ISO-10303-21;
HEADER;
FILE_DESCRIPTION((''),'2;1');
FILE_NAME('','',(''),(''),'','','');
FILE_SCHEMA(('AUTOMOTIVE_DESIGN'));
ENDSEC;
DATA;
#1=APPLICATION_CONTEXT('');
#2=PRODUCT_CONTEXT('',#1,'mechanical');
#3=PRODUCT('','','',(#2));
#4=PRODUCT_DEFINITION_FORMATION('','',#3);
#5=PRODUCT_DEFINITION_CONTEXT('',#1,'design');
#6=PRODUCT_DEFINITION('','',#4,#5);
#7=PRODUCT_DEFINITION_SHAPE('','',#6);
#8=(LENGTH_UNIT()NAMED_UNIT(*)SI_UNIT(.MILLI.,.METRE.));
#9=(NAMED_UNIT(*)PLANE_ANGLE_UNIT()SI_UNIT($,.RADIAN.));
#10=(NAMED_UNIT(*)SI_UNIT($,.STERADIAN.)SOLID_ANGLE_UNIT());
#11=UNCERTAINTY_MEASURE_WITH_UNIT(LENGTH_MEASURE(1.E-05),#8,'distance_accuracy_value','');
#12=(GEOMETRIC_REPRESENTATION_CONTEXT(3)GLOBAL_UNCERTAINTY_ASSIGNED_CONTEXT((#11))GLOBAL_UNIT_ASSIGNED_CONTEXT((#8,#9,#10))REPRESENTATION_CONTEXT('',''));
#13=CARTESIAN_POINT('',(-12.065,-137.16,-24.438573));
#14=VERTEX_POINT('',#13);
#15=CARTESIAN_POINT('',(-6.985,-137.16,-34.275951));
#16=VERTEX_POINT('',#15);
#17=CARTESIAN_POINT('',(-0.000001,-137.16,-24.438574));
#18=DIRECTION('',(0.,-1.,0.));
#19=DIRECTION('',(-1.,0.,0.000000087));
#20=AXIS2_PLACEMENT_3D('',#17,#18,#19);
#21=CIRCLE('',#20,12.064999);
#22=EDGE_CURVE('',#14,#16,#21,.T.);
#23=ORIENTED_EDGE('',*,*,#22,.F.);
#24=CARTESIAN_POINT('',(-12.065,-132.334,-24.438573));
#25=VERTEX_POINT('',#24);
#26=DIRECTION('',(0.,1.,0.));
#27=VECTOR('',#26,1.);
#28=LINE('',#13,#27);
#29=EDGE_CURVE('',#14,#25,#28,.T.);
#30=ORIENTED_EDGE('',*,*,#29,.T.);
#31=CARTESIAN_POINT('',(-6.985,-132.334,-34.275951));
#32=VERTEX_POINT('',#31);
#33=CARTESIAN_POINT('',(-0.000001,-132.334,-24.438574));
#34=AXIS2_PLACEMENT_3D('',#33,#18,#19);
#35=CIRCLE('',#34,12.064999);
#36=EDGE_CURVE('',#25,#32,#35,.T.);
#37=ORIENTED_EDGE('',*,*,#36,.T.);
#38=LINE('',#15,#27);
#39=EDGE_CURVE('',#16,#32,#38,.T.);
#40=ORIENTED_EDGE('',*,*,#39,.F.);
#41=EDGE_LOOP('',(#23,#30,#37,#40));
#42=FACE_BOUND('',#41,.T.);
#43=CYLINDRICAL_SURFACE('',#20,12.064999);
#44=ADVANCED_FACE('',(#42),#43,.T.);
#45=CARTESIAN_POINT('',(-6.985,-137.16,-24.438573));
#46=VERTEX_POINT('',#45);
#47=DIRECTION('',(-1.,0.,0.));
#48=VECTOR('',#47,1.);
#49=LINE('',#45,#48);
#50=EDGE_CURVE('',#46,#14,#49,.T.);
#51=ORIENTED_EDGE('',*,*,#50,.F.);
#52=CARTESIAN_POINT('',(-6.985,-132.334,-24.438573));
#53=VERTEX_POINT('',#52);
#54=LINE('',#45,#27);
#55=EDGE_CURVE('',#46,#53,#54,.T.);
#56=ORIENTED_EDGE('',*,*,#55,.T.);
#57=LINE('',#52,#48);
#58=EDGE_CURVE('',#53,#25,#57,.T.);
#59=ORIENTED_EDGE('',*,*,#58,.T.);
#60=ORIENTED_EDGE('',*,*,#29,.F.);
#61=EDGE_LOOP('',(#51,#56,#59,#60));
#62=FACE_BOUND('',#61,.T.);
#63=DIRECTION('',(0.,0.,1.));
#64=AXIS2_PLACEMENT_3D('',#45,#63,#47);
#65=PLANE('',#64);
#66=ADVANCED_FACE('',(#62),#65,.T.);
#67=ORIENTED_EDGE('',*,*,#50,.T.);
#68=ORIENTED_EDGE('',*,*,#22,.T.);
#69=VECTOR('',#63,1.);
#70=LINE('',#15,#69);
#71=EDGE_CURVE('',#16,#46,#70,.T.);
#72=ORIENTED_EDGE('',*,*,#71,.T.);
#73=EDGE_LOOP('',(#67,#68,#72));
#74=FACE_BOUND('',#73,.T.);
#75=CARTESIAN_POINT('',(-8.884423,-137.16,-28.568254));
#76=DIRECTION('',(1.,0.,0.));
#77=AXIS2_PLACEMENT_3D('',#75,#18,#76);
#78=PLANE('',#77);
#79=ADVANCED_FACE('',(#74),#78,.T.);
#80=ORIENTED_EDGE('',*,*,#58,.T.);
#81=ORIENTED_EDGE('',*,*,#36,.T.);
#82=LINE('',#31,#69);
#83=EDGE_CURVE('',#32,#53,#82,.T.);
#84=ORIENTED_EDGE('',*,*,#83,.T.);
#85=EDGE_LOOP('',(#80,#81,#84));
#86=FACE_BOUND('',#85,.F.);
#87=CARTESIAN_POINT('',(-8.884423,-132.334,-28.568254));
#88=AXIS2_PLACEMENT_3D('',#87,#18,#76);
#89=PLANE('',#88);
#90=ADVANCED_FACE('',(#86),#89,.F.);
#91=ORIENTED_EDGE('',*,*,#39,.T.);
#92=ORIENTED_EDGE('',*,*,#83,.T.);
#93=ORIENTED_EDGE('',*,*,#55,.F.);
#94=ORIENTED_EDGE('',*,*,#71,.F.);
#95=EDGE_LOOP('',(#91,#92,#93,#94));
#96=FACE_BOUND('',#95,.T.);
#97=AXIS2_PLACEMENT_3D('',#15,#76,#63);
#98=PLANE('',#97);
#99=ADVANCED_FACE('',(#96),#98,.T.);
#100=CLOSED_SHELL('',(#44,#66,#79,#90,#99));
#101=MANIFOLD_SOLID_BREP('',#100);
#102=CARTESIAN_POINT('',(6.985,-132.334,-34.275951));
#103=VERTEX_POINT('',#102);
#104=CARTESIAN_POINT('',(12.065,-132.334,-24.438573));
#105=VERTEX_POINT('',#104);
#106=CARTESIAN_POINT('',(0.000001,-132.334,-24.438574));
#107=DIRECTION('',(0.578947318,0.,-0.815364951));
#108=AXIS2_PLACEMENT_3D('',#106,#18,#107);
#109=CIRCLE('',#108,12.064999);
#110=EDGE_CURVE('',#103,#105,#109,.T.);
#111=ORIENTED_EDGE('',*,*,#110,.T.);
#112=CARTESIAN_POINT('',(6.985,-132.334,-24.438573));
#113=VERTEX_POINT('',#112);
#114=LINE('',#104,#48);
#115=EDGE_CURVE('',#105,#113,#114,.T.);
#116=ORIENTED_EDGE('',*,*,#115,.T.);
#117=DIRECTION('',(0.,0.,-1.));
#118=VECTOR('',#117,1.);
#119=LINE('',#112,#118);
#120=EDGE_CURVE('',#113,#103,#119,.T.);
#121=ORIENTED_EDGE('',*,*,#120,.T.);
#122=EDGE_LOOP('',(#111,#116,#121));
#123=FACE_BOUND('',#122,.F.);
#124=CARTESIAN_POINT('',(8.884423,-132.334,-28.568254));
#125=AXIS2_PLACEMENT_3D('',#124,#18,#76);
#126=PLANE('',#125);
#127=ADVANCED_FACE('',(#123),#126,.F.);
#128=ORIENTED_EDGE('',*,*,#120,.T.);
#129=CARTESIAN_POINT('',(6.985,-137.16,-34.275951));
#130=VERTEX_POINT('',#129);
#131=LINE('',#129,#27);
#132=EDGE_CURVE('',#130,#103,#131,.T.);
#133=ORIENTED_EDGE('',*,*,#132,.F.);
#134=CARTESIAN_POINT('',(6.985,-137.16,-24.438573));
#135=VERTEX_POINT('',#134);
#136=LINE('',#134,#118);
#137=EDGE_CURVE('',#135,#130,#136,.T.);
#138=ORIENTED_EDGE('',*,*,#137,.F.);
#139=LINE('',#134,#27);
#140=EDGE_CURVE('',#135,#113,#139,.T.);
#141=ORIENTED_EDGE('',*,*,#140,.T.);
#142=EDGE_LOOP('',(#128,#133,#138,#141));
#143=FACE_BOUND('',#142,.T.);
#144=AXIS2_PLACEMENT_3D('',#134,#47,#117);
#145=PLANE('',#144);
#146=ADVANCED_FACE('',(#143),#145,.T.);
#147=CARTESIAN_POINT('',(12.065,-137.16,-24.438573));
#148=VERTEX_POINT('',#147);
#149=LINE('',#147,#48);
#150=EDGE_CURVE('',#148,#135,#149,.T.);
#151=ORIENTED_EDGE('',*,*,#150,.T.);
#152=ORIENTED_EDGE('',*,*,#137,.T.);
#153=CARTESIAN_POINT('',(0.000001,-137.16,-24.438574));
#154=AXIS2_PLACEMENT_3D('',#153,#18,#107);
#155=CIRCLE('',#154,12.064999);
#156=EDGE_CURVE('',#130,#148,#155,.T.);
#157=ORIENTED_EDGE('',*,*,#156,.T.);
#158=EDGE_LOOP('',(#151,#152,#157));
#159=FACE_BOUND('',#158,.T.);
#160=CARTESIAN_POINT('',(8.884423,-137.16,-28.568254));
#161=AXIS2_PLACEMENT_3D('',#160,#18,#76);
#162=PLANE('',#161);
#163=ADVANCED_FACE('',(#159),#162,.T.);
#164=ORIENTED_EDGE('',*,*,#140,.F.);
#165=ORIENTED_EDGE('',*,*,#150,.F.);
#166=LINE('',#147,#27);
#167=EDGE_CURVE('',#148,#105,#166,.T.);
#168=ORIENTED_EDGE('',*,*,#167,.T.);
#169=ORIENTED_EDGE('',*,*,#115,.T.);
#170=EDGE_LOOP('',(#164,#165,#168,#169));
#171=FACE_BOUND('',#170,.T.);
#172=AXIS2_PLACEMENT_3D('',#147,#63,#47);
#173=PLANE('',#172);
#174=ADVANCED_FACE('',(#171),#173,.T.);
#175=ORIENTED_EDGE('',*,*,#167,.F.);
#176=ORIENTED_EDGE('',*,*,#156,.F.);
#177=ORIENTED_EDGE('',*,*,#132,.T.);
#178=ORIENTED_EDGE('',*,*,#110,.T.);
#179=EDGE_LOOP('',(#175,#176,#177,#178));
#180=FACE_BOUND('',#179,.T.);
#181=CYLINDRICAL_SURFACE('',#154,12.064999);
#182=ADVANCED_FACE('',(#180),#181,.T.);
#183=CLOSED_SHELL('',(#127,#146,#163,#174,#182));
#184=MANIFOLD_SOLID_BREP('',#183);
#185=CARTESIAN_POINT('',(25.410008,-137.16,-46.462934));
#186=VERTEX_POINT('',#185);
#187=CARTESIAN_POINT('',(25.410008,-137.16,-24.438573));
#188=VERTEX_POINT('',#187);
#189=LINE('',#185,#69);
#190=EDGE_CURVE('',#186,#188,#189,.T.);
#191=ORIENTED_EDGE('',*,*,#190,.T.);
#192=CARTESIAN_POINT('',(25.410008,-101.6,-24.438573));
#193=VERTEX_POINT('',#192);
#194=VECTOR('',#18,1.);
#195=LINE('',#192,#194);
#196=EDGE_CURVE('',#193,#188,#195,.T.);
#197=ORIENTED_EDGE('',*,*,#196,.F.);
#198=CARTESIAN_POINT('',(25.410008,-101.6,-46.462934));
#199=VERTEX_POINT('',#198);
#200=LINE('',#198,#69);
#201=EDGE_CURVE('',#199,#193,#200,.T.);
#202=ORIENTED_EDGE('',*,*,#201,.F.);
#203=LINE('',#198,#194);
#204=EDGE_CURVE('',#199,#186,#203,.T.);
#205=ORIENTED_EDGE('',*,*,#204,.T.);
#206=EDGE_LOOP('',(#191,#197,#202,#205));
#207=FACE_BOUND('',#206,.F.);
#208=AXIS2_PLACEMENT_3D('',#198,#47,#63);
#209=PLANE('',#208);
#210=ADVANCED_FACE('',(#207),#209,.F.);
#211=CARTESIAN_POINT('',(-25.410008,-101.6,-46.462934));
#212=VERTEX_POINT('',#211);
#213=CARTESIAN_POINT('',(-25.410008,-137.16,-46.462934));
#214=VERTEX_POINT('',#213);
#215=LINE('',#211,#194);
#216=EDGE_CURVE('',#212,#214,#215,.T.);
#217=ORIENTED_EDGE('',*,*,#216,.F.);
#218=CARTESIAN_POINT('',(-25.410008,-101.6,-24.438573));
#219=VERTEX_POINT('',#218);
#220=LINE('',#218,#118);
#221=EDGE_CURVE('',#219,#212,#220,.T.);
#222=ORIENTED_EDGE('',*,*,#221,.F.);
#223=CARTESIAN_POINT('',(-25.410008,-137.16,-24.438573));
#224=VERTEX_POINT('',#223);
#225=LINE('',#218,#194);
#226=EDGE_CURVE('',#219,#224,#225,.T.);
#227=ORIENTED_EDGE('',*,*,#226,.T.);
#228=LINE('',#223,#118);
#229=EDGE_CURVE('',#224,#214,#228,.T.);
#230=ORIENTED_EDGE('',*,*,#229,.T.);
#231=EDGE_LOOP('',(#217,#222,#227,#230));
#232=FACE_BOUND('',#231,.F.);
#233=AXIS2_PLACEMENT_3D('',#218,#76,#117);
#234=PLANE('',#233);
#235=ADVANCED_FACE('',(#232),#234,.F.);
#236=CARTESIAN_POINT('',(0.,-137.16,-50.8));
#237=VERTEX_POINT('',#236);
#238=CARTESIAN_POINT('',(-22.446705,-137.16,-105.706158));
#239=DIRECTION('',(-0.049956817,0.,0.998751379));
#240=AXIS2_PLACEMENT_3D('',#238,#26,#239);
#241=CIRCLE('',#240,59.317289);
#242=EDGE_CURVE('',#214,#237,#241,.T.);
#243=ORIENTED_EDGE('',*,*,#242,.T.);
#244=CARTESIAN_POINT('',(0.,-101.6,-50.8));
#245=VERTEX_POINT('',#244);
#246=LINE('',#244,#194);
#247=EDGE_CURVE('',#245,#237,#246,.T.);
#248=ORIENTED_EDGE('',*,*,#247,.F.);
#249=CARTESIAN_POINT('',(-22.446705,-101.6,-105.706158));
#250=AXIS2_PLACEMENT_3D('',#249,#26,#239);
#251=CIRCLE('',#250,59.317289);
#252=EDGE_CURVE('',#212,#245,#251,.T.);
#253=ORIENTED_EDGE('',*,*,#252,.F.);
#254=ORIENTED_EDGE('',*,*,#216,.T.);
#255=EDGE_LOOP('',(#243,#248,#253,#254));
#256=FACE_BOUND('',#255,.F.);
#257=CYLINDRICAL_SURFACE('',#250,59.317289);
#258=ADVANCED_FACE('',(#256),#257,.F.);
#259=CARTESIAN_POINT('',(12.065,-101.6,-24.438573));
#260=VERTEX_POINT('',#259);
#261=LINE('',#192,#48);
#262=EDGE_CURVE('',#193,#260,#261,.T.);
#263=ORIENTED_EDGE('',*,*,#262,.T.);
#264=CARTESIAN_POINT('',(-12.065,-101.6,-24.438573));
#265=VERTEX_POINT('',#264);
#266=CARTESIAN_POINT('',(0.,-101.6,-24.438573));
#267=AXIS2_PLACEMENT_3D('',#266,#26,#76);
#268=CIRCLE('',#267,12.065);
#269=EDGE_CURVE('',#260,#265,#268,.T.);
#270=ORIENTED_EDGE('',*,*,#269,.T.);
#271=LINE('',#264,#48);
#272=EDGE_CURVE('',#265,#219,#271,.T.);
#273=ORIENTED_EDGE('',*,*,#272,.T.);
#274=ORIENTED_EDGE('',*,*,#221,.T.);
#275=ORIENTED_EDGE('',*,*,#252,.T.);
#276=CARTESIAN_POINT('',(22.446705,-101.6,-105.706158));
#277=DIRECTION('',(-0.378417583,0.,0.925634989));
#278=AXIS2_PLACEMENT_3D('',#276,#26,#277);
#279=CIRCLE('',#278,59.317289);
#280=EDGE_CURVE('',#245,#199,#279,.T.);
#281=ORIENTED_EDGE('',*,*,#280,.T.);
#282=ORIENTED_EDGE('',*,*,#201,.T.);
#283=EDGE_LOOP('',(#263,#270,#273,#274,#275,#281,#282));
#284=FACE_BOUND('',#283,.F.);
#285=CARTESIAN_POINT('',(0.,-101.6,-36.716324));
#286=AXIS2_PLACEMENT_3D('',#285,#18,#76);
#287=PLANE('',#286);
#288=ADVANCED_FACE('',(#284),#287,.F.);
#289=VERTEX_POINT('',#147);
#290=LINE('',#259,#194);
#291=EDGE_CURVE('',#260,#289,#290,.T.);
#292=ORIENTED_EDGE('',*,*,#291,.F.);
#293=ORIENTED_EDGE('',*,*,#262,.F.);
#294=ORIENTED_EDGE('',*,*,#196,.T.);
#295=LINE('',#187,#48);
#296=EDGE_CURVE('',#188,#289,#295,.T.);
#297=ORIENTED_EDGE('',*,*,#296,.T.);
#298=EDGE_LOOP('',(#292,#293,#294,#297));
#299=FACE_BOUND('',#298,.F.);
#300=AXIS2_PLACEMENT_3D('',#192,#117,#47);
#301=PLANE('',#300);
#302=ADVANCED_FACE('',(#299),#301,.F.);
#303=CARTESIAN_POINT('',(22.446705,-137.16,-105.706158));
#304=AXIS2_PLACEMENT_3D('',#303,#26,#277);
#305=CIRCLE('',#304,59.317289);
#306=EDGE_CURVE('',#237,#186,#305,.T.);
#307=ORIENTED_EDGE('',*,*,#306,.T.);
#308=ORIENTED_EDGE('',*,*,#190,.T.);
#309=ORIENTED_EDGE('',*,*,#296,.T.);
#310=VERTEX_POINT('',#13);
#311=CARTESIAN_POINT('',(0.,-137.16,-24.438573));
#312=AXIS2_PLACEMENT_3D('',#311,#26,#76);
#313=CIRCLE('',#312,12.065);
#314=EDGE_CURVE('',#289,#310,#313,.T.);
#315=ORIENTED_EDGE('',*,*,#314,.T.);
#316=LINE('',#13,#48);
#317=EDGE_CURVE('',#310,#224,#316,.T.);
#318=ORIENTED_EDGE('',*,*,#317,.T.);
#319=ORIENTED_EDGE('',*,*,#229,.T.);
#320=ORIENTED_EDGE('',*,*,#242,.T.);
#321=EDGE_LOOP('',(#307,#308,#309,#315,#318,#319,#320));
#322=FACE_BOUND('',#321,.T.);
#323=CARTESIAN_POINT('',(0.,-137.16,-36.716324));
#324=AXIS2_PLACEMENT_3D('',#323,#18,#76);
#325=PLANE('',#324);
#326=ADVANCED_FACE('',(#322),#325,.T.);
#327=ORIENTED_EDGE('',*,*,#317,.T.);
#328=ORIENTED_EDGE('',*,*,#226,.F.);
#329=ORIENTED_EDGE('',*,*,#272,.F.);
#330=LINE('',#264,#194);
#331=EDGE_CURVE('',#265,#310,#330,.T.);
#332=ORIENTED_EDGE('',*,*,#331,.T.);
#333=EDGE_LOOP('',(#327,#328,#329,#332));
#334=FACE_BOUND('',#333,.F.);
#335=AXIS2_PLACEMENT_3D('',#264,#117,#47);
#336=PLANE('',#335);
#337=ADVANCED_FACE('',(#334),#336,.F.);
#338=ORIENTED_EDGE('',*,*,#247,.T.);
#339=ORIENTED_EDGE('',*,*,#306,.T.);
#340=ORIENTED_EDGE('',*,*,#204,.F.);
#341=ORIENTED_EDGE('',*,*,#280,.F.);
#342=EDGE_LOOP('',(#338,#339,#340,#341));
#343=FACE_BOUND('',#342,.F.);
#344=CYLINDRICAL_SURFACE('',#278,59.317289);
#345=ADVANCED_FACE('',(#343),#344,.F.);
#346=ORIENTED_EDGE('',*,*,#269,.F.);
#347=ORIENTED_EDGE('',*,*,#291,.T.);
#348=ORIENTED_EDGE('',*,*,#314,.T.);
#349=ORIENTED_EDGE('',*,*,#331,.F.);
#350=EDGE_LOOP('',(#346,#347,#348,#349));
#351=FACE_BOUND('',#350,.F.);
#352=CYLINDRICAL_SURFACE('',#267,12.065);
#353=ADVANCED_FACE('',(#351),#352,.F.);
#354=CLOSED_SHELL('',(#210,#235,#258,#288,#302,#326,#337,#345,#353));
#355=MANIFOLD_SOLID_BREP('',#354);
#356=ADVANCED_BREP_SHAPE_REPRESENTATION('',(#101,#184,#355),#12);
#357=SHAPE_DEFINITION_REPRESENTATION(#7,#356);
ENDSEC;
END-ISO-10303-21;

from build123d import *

# Parameters (mm, degrees)
F6_DEPTH = 35.56
F8_DEPTH = 4.826


with BuildPart() as f6:
    # F5 (on offset) → F6 (new body)
    with BuildSketch(Plane.XZ.offset(101.6)):
        with BuildLine():
            ThreePointArc((-25.410008, -46.462934), (-12.466561, -47.234477), (0, -50.8))
            ThreePointArc((0, -50.8), (12.466561, -47.234477), (25.410008, -46.462934))
            Line((25.410008, -46.462934), (25.410008, -24.438573))
            Line((25.410008, -24.438573), (12.065, -24.438573))
            ThreePointArc((12.065, -24.438573), (0, -36.503573), (-12.065, -24.438573))
            Line((-12.065, -24.438573), (-25.410008, -24.438573))
            Line((-25.410008, -24.438573), (-25.410008, -46.462934))
        make_face()
    extrude(amount=F6_DEPTH)


with BuildPart() as f8:
    # F7 (on face) → F8 (new body)
    with BuildSketch(Plane.XZ.offset(137.16)):
        with BuildLine():
            Line((-6.985, -24.438573), (-12.065, -24.438573))
            ThreePointArc((-12.065, -24.438573), (-10.720034, -29.974375), (-6.985, -34.275951))
            Line((-6.985, -34.275951), (-6.985, -24.438573))
        make_face()
        with BuildLine():
            Line((6.985, -24.438573), (6.985, -34.275951))
            ThreePointArc((6.985, -34.275951), (10.720034, -29.974375), (12.065, -24.438573))
            Line((12.065, -24.438573), (6.985, -24.438573))
        make_face()
    extrude(amount=-F8_DEPTH)


solid = Compound([f6.part, f8.part])
